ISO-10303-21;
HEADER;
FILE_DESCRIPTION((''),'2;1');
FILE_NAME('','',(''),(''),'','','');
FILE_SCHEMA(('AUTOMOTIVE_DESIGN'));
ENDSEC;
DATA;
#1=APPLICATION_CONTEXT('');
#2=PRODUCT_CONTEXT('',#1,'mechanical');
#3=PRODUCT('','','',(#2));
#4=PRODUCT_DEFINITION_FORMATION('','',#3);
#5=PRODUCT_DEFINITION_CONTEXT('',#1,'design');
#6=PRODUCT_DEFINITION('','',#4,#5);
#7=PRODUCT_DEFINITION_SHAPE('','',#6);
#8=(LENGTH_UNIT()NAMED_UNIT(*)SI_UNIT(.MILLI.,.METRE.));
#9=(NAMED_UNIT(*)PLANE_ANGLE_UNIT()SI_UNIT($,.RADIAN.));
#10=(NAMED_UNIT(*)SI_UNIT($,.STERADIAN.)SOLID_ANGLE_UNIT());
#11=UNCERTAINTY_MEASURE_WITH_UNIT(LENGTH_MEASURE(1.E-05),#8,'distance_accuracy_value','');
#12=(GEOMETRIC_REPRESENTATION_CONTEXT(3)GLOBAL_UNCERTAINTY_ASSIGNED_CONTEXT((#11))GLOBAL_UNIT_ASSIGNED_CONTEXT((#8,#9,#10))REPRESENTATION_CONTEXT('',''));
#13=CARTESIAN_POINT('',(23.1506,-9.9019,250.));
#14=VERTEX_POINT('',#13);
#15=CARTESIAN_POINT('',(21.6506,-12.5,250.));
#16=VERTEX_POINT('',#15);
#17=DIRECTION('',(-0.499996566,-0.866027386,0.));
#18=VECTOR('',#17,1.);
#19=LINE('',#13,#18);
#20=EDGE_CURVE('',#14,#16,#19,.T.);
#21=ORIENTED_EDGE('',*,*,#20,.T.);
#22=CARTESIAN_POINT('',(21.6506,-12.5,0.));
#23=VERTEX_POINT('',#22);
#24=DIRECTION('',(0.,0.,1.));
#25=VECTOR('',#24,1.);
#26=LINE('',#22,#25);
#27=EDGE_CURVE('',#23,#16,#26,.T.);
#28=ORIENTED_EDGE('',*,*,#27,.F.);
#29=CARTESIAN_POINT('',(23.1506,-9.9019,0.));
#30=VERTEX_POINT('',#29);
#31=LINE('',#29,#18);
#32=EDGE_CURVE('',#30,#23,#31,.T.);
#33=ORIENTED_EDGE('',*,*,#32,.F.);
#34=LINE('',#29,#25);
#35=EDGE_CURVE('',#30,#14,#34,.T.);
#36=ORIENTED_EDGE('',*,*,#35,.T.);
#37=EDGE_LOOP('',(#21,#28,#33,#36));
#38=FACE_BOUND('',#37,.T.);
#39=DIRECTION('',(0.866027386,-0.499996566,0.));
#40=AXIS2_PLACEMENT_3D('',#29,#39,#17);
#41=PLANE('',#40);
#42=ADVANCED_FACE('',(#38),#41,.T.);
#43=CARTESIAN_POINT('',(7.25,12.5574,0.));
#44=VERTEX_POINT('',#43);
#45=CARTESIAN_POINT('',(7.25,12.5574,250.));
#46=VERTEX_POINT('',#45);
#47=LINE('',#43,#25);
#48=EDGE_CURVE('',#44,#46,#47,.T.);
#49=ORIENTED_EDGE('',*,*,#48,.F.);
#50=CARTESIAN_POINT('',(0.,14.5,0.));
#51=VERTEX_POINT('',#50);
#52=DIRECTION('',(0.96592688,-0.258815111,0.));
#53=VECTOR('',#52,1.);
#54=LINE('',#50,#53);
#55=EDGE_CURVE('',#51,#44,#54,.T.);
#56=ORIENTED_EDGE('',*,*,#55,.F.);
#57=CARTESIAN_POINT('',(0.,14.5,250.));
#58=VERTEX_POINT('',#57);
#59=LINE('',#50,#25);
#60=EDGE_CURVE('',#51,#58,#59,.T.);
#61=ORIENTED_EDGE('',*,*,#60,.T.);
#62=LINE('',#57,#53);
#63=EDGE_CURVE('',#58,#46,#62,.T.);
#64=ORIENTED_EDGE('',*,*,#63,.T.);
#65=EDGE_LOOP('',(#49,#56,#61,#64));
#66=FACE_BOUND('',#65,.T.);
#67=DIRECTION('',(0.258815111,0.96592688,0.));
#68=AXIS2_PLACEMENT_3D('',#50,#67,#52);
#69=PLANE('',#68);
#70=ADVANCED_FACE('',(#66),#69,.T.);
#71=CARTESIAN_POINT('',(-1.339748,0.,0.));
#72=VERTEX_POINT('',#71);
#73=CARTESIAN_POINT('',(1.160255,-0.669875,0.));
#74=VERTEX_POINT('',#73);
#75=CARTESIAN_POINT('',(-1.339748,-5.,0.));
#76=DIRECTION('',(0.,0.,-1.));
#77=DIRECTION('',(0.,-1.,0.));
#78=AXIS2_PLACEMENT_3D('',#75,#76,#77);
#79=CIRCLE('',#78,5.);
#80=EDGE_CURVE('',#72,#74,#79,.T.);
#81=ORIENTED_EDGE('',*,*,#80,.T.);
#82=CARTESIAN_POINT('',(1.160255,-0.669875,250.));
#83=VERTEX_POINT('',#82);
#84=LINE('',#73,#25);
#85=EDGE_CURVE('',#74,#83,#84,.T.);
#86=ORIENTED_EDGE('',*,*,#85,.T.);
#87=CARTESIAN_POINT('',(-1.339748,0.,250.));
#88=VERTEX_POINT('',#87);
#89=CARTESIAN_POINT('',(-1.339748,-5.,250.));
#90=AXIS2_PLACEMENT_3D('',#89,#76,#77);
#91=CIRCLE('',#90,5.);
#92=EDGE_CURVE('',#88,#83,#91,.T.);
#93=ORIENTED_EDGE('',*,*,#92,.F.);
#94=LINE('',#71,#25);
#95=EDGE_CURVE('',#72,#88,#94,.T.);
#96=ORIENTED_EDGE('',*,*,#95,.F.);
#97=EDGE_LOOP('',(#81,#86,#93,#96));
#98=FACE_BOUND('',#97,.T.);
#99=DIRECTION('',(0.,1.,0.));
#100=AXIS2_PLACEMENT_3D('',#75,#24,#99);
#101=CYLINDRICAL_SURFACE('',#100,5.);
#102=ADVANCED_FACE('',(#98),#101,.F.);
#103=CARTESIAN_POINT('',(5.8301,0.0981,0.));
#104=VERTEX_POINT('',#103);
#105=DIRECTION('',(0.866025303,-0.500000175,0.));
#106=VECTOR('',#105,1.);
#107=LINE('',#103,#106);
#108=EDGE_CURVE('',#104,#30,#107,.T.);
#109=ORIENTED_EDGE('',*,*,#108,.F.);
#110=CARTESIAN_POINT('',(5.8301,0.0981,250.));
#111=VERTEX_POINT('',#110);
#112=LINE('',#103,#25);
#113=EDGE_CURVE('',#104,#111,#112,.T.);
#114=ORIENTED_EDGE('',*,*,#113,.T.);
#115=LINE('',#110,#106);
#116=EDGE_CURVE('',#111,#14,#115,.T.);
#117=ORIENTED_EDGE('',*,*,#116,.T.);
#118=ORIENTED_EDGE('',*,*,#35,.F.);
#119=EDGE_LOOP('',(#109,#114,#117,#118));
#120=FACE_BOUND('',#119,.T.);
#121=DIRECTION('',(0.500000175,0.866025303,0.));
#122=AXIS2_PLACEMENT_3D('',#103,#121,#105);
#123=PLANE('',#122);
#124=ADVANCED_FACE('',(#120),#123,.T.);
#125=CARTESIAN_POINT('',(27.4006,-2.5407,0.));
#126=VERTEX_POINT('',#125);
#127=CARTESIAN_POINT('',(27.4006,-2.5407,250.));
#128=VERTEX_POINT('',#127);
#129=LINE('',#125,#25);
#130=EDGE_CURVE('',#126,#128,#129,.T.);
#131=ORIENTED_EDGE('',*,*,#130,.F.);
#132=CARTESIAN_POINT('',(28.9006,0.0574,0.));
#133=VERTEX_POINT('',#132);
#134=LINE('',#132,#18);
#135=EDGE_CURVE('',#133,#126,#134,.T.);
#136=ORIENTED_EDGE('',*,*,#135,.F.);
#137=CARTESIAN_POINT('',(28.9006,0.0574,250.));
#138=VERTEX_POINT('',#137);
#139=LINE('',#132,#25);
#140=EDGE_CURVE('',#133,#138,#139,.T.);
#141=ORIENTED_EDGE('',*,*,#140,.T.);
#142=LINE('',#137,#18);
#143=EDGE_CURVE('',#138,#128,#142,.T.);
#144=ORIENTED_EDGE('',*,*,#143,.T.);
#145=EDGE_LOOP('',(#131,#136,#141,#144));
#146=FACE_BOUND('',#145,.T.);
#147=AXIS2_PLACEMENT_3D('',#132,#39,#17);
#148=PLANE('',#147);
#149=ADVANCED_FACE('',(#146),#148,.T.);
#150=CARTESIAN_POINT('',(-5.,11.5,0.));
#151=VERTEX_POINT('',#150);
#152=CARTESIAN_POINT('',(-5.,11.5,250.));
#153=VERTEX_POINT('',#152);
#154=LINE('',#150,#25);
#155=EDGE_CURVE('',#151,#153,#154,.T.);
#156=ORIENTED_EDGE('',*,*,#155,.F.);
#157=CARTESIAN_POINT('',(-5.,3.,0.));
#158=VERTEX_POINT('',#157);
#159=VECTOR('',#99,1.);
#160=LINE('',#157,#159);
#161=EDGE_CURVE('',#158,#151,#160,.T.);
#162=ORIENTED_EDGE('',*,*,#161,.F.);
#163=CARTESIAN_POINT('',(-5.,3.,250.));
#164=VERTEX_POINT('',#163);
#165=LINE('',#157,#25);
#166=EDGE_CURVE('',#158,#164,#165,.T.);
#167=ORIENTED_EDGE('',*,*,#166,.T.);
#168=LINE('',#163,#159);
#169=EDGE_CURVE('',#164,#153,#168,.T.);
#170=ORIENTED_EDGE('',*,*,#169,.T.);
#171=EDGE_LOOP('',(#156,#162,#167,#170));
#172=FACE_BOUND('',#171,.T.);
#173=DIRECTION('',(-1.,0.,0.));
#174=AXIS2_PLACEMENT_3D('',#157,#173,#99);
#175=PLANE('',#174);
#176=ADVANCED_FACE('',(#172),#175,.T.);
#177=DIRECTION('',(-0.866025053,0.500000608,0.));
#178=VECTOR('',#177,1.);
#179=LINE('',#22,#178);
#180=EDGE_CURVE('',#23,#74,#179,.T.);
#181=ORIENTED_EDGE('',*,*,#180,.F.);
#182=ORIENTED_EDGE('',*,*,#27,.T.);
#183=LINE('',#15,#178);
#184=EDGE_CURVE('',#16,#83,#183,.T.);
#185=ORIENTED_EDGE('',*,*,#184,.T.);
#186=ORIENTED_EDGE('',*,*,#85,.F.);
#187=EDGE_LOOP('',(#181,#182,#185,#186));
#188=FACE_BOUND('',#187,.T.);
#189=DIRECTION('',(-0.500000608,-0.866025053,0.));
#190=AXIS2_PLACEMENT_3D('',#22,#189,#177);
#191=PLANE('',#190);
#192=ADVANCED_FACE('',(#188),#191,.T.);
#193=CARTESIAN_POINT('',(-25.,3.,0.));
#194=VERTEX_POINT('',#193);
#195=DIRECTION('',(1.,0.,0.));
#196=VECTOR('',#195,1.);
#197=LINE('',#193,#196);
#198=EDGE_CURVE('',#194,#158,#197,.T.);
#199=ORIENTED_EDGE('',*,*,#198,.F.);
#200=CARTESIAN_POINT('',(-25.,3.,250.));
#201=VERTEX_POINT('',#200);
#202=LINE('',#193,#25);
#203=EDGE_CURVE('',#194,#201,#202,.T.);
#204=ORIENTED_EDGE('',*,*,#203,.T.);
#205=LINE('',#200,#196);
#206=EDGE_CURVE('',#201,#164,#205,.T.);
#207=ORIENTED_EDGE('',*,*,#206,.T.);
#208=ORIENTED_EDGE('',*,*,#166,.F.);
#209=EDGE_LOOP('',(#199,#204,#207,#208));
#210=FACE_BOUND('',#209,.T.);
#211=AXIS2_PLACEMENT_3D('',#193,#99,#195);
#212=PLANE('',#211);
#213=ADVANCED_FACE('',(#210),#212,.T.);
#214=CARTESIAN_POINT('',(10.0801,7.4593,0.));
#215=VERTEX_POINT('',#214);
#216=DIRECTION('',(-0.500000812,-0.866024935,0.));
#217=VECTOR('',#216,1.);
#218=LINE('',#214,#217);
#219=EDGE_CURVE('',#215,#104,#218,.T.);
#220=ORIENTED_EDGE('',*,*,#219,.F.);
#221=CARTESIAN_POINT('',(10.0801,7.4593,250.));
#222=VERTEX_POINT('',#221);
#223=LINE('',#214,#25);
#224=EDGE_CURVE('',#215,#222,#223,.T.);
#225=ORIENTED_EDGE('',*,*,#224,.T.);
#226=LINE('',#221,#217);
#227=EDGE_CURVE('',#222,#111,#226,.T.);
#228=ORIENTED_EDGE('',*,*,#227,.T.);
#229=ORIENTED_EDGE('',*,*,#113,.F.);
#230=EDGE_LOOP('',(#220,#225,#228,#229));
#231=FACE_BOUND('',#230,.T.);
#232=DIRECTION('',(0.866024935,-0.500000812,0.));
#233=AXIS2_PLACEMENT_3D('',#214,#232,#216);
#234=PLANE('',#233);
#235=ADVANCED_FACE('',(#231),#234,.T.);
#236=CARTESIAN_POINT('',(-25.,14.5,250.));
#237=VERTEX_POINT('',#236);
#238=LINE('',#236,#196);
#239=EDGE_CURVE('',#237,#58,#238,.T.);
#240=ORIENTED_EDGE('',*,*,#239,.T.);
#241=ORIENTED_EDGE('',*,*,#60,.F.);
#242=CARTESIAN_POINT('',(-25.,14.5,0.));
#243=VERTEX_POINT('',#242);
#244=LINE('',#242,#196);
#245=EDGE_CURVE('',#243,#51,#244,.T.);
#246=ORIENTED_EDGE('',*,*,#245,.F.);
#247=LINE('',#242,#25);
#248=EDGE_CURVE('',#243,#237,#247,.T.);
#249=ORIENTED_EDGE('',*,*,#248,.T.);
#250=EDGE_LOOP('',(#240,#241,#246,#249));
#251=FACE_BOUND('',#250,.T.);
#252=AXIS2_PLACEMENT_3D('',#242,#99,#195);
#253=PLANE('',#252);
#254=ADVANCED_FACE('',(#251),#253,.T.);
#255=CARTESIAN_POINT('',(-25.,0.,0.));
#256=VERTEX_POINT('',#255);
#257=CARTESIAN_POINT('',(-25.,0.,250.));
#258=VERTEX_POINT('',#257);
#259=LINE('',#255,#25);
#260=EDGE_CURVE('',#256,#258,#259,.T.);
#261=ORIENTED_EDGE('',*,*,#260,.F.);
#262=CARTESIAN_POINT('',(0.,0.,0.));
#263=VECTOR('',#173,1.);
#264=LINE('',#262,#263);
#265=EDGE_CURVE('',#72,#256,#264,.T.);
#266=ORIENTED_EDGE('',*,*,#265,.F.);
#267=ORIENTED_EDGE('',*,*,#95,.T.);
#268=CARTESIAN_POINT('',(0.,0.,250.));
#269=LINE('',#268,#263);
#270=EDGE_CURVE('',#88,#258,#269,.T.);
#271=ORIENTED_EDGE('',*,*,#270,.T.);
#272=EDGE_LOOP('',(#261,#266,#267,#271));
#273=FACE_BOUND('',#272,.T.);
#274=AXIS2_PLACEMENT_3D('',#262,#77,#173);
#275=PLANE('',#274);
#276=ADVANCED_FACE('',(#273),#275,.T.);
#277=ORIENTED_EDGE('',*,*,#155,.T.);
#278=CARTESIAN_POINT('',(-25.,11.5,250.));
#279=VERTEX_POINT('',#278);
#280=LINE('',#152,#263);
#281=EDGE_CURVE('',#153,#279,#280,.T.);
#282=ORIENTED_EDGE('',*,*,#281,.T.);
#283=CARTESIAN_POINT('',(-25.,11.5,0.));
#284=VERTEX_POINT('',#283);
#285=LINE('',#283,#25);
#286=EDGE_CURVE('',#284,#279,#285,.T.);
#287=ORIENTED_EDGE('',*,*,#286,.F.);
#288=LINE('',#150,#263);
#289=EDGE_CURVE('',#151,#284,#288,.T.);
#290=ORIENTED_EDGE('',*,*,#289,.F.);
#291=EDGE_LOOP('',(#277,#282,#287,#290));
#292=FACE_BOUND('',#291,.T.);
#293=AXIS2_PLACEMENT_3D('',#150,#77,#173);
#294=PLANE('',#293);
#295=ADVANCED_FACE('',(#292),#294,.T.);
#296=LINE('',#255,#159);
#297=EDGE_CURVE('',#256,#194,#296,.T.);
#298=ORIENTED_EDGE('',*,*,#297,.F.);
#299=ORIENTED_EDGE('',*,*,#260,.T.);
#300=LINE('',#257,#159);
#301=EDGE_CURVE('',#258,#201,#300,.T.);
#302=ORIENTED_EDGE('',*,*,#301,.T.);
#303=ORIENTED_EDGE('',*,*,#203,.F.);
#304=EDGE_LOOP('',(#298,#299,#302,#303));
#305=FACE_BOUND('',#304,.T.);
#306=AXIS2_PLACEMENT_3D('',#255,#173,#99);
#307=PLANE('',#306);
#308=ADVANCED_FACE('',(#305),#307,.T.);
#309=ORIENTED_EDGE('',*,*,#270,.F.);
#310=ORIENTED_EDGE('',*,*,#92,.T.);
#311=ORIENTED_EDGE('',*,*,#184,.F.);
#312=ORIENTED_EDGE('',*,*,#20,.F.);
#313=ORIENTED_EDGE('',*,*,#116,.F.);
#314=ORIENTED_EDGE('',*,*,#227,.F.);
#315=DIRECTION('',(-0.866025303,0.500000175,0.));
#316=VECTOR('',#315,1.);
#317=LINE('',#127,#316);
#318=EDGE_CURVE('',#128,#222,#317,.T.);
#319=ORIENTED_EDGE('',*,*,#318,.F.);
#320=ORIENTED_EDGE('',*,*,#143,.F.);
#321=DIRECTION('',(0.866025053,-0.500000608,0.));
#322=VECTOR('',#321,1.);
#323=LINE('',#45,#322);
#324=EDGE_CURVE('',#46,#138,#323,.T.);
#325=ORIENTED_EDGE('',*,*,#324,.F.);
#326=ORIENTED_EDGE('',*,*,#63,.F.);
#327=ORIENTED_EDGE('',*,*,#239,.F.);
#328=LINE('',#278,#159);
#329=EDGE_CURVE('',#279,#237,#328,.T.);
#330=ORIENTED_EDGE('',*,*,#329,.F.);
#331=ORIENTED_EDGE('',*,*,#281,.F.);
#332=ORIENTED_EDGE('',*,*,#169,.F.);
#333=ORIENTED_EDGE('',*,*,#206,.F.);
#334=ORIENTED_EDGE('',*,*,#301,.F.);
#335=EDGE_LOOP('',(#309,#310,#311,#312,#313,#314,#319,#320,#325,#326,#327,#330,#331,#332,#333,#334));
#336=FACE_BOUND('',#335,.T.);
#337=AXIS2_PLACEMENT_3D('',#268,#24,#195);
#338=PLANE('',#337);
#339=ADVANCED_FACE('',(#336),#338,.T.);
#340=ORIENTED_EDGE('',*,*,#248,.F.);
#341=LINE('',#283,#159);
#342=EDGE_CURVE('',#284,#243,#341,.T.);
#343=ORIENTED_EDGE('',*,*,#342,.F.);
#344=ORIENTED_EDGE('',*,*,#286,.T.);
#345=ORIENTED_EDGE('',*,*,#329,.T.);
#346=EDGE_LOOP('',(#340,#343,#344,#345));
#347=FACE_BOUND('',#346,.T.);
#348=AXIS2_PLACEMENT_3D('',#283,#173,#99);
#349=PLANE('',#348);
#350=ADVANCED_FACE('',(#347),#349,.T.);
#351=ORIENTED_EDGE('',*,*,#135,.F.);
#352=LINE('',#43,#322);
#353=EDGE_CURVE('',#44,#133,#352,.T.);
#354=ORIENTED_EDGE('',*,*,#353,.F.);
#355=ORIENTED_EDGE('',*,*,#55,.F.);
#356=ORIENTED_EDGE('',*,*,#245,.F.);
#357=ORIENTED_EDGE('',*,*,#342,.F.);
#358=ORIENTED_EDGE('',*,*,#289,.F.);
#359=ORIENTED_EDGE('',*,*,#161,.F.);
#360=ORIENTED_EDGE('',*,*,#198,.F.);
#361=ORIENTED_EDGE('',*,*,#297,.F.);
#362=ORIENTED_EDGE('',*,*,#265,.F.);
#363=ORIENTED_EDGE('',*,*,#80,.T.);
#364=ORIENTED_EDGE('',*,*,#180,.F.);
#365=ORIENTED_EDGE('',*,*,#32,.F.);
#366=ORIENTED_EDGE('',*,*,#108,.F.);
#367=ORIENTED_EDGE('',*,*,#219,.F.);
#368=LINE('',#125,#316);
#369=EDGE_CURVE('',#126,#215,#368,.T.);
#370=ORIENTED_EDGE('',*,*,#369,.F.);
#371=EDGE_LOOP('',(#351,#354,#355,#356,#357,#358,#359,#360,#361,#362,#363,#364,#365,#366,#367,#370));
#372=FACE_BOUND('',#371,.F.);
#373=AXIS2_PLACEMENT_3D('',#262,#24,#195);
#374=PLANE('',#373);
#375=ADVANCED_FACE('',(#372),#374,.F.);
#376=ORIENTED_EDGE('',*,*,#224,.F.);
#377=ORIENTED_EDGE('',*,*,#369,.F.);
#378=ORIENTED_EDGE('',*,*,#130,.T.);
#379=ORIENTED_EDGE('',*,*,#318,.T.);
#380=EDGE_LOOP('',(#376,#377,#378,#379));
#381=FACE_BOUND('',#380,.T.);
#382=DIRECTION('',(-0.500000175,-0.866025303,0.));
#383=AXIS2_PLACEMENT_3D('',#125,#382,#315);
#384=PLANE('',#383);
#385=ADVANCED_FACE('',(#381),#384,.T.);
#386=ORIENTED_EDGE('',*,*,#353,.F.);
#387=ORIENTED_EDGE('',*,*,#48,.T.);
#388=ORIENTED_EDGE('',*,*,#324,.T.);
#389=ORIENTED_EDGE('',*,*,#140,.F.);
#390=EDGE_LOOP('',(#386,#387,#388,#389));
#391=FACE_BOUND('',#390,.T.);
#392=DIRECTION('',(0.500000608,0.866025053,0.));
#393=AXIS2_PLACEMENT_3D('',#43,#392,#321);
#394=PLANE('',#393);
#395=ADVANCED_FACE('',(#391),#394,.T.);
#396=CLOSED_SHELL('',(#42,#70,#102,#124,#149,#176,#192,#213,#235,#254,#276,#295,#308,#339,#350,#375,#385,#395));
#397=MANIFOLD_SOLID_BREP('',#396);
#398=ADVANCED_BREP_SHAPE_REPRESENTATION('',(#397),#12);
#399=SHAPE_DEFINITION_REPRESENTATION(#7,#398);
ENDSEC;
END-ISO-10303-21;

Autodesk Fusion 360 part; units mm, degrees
sketch "Schizzo1" plane through (0, 0, 0) normal (0, 0, 1) x (1, 0, 0)
  line L0 (0, 0) -> (-25, 0)
  line L1 (-25, 0) -> (-25, 3)
  line L2 (-25, 3) -> (-5, 3)
  line L3 (-5, 3) -> (-5, 11.5)
  line L4 (-5, 11.5) -> (-25, 11.5)
  line L5 (-25, 11.5) -> (-25, 14.5)
  line L6 (-25, 14.5) -> (0, 14.5)
  line L7 (0, 14.5) -> (0, 0)
  line L8 (7.25, 12.5574) -> (28.9006, 0.0574)
  line L9 (10.0801, 7.4593) -> (5.8301, 0.0981)
  line L10 (0, 0) -> (7.25, 12.5574)
  line L11 (21.6506, -12.5) -> (0, 0)
  line L12 (5.8301, 0.0981) -> (23.1506, -9.9019)
  line L13 (28.9006, 0.0574) -> (27.4006, -2.5407)
  line L14 (23.1506, -9.9019) -> (21.6506, -12.5)
  line L15 (27.4006, -2.5407) -> (10.0801, 7.4593)
  line L16 (0, 14.5) -> (7.25, 12.5574)
  point P0 (7.25, 12.5574)
  dimension "d2" = 8.5
  dimension "d3" = 3
  dimension "d4" = 3
  dimension "d5" = 25
  dimension "d6" = 25
  dimension "d7" = 20
  dimension "d8" = 8.5
  dimension "d9" = 3
  dimension "d10" = 3
  dimension "d11" = 25
  dimension "d12" = 25
  dimension "d13" = 20
  dimension "d16" = 30
extrude "Estrusione1" add sketch "Schizzo1" along normal blind 250
fillet "Raccordo1" radius 5 1 edges at (0, 0, 125)
